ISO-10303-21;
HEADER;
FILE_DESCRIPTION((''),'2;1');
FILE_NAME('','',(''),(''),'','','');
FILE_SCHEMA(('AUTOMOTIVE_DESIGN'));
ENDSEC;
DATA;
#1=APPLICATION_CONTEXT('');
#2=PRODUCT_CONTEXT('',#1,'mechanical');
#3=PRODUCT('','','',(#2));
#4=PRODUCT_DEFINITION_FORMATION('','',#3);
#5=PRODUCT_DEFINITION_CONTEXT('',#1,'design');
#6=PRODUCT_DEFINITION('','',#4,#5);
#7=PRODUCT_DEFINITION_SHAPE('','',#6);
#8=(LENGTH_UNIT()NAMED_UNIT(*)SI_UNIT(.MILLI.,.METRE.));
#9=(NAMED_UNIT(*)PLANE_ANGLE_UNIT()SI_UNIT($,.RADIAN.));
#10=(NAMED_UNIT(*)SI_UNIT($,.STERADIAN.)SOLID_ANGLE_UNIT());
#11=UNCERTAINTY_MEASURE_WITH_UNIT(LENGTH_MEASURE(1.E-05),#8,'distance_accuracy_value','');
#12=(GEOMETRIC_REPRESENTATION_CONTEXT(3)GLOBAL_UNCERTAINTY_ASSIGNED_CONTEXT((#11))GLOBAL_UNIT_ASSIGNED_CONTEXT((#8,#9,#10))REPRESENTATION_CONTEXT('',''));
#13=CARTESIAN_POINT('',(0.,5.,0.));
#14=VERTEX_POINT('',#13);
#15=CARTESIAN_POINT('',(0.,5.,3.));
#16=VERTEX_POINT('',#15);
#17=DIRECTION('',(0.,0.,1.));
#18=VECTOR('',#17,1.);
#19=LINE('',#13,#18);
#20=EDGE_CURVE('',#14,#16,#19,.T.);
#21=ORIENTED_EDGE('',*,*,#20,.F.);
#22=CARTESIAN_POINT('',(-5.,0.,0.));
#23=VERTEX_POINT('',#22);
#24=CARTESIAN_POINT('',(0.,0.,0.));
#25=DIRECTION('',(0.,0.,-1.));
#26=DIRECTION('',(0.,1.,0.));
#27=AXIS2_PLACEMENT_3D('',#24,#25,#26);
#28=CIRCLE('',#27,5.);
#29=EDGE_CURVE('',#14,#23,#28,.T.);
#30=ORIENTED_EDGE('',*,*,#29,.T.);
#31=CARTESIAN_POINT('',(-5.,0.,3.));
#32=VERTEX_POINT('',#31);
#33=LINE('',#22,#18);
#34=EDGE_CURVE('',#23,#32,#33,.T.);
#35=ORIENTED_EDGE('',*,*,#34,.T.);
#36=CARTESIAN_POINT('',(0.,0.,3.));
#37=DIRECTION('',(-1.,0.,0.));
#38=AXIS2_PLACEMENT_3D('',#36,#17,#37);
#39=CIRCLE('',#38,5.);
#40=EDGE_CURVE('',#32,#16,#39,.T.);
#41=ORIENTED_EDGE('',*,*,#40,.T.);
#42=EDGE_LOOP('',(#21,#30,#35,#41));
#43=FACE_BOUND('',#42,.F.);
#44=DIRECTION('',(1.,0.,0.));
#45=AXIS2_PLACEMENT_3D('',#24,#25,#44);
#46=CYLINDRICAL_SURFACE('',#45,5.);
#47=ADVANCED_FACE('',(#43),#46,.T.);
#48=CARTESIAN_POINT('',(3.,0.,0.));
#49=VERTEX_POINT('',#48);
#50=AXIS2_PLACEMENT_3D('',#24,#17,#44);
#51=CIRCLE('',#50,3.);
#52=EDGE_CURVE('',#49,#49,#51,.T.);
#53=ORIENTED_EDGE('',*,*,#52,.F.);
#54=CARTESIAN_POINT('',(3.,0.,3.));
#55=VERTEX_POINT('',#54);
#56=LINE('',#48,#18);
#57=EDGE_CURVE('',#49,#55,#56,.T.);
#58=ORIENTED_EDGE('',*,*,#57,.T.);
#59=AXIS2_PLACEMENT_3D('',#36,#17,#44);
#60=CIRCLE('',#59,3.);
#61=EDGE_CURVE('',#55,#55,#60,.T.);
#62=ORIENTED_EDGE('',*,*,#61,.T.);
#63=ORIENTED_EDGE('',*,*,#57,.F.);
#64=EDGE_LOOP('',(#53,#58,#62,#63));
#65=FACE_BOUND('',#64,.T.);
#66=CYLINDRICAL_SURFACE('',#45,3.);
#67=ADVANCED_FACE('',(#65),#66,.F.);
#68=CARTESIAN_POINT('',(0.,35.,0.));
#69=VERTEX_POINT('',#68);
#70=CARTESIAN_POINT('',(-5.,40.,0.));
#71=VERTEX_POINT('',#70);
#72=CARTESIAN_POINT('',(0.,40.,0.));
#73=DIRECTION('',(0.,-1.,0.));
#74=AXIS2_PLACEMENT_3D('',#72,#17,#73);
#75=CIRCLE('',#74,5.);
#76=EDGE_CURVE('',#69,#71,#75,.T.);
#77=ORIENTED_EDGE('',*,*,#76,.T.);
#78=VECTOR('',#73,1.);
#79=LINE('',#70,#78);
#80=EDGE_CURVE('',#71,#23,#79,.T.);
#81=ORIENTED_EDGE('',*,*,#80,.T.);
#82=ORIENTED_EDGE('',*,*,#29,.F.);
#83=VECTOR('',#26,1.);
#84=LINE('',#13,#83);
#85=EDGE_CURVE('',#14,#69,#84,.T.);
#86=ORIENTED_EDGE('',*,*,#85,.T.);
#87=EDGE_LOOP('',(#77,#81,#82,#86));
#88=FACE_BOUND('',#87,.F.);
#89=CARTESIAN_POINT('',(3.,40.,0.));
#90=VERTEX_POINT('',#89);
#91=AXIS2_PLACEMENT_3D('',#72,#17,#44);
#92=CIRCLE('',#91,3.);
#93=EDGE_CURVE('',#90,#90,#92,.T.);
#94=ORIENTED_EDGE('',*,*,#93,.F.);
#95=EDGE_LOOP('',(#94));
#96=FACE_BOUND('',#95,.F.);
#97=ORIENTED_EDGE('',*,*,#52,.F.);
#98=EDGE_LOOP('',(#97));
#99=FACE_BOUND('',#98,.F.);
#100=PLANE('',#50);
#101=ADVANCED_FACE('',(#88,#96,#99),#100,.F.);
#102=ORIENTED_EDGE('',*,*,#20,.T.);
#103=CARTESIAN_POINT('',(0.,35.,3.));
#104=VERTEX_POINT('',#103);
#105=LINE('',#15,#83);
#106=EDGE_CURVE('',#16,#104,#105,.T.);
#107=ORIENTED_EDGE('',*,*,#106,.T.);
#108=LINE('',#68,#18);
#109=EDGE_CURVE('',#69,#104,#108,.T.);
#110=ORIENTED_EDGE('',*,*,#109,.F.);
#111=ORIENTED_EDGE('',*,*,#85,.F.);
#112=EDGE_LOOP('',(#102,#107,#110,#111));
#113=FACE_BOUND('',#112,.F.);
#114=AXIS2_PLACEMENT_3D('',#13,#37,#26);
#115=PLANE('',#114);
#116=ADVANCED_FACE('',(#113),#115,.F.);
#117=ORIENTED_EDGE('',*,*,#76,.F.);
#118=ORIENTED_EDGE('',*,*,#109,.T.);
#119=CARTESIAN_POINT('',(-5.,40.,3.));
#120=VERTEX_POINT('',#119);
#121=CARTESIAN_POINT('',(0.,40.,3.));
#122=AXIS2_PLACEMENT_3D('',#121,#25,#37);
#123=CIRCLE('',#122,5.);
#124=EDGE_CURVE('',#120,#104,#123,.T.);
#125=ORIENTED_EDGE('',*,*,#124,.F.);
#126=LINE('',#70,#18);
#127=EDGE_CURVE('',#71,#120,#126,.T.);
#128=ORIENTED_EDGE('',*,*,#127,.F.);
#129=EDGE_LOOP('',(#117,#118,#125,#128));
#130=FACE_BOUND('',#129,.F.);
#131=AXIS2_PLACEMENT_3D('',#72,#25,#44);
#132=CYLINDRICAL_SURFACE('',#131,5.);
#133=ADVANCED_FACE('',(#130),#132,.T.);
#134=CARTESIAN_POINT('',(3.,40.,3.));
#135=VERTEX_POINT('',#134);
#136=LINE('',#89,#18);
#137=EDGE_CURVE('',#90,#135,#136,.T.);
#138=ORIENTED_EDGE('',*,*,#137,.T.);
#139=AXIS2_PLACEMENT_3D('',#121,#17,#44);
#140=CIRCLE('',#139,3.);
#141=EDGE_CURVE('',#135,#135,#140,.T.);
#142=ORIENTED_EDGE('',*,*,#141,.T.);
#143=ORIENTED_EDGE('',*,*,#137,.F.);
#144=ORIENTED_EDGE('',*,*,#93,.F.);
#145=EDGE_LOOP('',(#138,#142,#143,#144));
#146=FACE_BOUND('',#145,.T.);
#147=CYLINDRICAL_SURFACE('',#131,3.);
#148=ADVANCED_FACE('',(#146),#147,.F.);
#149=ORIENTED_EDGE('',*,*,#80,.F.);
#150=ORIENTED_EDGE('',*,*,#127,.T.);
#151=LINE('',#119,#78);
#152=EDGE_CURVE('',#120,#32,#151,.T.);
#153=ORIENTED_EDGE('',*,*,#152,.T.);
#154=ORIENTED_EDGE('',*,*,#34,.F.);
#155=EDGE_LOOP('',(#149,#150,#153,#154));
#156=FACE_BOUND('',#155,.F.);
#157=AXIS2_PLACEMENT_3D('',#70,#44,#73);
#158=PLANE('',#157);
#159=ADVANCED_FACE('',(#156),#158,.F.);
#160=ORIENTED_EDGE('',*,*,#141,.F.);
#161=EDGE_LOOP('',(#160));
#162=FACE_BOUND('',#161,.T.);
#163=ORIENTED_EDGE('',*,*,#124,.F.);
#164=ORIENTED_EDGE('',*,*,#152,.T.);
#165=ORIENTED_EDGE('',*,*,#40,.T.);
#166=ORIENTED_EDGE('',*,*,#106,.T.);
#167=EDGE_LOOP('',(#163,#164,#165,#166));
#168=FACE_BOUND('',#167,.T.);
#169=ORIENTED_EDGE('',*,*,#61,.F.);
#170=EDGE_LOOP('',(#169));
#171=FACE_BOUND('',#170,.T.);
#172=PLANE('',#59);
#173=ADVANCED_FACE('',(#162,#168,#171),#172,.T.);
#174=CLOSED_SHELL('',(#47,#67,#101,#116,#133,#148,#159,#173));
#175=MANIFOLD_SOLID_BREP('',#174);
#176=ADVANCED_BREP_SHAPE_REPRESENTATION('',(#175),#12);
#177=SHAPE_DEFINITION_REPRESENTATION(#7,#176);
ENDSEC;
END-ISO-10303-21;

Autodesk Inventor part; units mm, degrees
ref_plane "YZ Plane" through (0, 0, 0) normal (1, 0, 0) x (0, 1, 0)
ref_plane "XZ Plane" through (0, 0, 0) normal (0, 1, 0) x (-1, 0, 0)
ref_plane "XY Plane" through (0, 0, 0) normal (0, 0, 1) x (1, 0, 0)
sketch "スケッチ1" plane through (0, 0, 0) normal (0, 0, 1) x (1, 0, 0)
  circle A0 centre (0, 0) radius 3
  circle A1 centre (0, 40) radius 3
  circle A2 centre (0, 40) radius 5
  circle A3 centre (0, 0) radius 5
  line L0 (0, 5) -> (0, 35)
  line L1 (-5, 40) -> (-5, 0)
  dimension "d0" = 6
  dimension "d1" = 6
  dimension "d2" = 40
  dimension "d3" = 10
  dimension "d4" = 10
extrude "押し出し1" add sketch "スケッチ1" along normal blind 3
sketch "スケッチ2" plane through (0, 0, 3) normal (0, 0, 1) x (1, 0, 0)
  circle A0 centre (0, 0) radius 3 projected
  circle A1 centre (0, 40) radius 3 projected
  arc A2 (0, 35) -> (-5, 40) centre (0, 40) ccw projected
  line L0 (-5, 40) -> (-5, 0) projected
  arc A3 (-5, 0) -> (0, 5) centre (0, 0) ccw projected
  line L1 (0, 5) -> (0, 35) projected
  circle A4 centre (0, 0) radius 3
  circle A5 centre (-32.1289, 23.8272) radius 1.25
  line L2 (-4.0161, 2.9784) -> (-5, 3.7081)
  arc A6 (-30.4645, 26.3232) -> (-29.7192, 22.0402) centre (-32.1289, 23.8272) ccw
  line L3 (-5, 9.3436) -> (2.7739, 4.16)
  arc A7 (-4.0161, 2.9784) -> (2.7739, 4.16) centre (0, 0) ccw
extrude "押し出し2" [suppressed]
sketch "スケッチ4" plane through (0, 0, 3) normal (0, 0, 1) x (1, 0, 0)
  line L0 (-5, 0) -> (-5, 40) projected
  arc A0 (0, 35) -> (-5, 40) centre (0, 40) ccw projected
  line L1 (0, 35) -> (0, 5) projected
  circle A1 centre (0, 40) radius 3 projected
  circle A2 centre (-27.9404, 11.376) radius 3
  circle A3 centre (0, 40) radius 1.25
  line L2 (-5, 34.8777) -> (-2.0955, 37.8532)
  arc A4 (2.2489, 38.0144) -> (-2.0955, 37.8532) centre (0, 40) ccw
  line L3 (2.2489, 38.0144) -> (-5, 29.8042)
  arc A5 (-24.4479, 14.954) -> (-24.1923, 8.0667) centre (-27.9404, 11.376) ccw
  circle A6 centre (0, 0) radius 3 projected
  arc A7 (-5, 0) -> (0, 5) centre (0, 0) ccw projected
extrude "押し出し3" [suppressed]
properties part number "link2"
